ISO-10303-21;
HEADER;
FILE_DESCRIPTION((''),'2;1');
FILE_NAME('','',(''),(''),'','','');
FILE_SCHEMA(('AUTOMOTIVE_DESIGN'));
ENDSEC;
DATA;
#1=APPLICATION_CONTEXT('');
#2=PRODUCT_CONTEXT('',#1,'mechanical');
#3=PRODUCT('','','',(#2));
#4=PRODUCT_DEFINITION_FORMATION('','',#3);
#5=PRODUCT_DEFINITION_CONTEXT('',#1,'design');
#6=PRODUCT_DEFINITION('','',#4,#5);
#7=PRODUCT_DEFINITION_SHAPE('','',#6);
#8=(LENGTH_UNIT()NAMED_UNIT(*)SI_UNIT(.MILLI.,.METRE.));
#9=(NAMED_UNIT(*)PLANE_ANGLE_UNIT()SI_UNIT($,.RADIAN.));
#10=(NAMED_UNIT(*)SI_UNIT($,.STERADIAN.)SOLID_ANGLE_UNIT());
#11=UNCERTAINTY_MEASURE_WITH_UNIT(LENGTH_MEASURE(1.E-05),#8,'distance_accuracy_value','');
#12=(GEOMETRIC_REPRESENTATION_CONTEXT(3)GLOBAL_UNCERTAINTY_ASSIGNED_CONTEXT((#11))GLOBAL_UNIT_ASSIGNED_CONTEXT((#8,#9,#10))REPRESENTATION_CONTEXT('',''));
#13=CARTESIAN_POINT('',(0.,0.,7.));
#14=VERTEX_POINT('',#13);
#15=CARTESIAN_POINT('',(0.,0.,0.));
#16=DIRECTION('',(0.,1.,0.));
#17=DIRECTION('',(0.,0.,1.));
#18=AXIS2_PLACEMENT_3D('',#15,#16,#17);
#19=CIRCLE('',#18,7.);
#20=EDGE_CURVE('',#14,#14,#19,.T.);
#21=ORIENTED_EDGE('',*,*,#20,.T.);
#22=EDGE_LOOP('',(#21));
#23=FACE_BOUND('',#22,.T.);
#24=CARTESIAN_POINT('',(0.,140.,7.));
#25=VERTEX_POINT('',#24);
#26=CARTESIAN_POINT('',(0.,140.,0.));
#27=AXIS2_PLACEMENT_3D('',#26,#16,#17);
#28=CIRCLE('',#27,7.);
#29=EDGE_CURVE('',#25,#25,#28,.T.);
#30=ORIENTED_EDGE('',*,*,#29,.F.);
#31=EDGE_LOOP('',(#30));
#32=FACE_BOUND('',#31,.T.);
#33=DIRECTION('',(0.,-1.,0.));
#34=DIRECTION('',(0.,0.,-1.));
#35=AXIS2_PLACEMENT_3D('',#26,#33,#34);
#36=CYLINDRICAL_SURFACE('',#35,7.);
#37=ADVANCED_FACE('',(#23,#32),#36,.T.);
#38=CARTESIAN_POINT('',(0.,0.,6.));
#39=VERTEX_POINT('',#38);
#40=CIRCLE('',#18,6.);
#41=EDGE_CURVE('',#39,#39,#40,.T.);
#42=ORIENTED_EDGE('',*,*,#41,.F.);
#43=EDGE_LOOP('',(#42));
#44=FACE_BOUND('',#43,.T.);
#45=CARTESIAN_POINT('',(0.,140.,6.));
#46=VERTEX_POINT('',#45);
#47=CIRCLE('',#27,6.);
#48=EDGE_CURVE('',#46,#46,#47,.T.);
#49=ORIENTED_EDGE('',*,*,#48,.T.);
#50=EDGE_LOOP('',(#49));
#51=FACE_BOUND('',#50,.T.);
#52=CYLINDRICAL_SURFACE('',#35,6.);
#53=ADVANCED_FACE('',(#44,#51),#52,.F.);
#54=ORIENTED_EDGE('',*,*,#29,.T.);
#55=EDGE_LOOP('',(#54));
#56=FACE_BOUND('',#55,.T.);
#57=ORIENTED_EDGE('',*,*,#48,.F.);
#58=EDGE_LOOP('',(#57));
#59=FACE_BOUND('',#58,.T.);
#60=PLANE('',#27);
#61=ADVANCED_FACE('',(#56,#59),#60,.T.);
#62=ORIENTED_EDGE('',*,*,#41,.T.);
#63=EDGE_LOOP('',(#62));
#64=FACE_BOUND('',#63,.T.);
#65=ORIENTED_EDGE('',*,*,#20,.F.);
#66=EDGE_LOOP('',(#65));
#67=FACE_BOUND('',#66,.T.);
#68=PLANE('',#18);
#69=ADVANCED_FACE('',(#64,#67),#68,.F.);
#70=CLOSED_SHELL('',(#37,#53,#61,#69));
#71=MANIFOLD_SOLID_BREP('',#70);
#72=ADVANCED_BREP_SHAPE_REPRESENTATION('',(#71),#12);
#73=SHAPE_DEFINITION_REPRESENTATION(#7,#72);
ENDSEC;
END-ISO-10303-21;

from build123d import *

# Parameters (mm, degrees)
SKETCH_1_R      = 7
SKETCH_1_R_2    = 6
EXTRUDE_1_DEPTH = 140


with BuildPart() as part:
    # Эскиз1 → Бобышка-Вытянуть1 (new body)
    with BuildSketch(Plane(origin=(0, 0, 0), x_dir=(1, 0, 0), z_dir=(0, 1, 0))):
        Circle(SKETCH_1_R)
        Circle(SKETCH_1_R_2, mode=Mode.SUBTRACT)
    extrude(amount=EXTRUDE_1_DEPTH)


solid = part.part
